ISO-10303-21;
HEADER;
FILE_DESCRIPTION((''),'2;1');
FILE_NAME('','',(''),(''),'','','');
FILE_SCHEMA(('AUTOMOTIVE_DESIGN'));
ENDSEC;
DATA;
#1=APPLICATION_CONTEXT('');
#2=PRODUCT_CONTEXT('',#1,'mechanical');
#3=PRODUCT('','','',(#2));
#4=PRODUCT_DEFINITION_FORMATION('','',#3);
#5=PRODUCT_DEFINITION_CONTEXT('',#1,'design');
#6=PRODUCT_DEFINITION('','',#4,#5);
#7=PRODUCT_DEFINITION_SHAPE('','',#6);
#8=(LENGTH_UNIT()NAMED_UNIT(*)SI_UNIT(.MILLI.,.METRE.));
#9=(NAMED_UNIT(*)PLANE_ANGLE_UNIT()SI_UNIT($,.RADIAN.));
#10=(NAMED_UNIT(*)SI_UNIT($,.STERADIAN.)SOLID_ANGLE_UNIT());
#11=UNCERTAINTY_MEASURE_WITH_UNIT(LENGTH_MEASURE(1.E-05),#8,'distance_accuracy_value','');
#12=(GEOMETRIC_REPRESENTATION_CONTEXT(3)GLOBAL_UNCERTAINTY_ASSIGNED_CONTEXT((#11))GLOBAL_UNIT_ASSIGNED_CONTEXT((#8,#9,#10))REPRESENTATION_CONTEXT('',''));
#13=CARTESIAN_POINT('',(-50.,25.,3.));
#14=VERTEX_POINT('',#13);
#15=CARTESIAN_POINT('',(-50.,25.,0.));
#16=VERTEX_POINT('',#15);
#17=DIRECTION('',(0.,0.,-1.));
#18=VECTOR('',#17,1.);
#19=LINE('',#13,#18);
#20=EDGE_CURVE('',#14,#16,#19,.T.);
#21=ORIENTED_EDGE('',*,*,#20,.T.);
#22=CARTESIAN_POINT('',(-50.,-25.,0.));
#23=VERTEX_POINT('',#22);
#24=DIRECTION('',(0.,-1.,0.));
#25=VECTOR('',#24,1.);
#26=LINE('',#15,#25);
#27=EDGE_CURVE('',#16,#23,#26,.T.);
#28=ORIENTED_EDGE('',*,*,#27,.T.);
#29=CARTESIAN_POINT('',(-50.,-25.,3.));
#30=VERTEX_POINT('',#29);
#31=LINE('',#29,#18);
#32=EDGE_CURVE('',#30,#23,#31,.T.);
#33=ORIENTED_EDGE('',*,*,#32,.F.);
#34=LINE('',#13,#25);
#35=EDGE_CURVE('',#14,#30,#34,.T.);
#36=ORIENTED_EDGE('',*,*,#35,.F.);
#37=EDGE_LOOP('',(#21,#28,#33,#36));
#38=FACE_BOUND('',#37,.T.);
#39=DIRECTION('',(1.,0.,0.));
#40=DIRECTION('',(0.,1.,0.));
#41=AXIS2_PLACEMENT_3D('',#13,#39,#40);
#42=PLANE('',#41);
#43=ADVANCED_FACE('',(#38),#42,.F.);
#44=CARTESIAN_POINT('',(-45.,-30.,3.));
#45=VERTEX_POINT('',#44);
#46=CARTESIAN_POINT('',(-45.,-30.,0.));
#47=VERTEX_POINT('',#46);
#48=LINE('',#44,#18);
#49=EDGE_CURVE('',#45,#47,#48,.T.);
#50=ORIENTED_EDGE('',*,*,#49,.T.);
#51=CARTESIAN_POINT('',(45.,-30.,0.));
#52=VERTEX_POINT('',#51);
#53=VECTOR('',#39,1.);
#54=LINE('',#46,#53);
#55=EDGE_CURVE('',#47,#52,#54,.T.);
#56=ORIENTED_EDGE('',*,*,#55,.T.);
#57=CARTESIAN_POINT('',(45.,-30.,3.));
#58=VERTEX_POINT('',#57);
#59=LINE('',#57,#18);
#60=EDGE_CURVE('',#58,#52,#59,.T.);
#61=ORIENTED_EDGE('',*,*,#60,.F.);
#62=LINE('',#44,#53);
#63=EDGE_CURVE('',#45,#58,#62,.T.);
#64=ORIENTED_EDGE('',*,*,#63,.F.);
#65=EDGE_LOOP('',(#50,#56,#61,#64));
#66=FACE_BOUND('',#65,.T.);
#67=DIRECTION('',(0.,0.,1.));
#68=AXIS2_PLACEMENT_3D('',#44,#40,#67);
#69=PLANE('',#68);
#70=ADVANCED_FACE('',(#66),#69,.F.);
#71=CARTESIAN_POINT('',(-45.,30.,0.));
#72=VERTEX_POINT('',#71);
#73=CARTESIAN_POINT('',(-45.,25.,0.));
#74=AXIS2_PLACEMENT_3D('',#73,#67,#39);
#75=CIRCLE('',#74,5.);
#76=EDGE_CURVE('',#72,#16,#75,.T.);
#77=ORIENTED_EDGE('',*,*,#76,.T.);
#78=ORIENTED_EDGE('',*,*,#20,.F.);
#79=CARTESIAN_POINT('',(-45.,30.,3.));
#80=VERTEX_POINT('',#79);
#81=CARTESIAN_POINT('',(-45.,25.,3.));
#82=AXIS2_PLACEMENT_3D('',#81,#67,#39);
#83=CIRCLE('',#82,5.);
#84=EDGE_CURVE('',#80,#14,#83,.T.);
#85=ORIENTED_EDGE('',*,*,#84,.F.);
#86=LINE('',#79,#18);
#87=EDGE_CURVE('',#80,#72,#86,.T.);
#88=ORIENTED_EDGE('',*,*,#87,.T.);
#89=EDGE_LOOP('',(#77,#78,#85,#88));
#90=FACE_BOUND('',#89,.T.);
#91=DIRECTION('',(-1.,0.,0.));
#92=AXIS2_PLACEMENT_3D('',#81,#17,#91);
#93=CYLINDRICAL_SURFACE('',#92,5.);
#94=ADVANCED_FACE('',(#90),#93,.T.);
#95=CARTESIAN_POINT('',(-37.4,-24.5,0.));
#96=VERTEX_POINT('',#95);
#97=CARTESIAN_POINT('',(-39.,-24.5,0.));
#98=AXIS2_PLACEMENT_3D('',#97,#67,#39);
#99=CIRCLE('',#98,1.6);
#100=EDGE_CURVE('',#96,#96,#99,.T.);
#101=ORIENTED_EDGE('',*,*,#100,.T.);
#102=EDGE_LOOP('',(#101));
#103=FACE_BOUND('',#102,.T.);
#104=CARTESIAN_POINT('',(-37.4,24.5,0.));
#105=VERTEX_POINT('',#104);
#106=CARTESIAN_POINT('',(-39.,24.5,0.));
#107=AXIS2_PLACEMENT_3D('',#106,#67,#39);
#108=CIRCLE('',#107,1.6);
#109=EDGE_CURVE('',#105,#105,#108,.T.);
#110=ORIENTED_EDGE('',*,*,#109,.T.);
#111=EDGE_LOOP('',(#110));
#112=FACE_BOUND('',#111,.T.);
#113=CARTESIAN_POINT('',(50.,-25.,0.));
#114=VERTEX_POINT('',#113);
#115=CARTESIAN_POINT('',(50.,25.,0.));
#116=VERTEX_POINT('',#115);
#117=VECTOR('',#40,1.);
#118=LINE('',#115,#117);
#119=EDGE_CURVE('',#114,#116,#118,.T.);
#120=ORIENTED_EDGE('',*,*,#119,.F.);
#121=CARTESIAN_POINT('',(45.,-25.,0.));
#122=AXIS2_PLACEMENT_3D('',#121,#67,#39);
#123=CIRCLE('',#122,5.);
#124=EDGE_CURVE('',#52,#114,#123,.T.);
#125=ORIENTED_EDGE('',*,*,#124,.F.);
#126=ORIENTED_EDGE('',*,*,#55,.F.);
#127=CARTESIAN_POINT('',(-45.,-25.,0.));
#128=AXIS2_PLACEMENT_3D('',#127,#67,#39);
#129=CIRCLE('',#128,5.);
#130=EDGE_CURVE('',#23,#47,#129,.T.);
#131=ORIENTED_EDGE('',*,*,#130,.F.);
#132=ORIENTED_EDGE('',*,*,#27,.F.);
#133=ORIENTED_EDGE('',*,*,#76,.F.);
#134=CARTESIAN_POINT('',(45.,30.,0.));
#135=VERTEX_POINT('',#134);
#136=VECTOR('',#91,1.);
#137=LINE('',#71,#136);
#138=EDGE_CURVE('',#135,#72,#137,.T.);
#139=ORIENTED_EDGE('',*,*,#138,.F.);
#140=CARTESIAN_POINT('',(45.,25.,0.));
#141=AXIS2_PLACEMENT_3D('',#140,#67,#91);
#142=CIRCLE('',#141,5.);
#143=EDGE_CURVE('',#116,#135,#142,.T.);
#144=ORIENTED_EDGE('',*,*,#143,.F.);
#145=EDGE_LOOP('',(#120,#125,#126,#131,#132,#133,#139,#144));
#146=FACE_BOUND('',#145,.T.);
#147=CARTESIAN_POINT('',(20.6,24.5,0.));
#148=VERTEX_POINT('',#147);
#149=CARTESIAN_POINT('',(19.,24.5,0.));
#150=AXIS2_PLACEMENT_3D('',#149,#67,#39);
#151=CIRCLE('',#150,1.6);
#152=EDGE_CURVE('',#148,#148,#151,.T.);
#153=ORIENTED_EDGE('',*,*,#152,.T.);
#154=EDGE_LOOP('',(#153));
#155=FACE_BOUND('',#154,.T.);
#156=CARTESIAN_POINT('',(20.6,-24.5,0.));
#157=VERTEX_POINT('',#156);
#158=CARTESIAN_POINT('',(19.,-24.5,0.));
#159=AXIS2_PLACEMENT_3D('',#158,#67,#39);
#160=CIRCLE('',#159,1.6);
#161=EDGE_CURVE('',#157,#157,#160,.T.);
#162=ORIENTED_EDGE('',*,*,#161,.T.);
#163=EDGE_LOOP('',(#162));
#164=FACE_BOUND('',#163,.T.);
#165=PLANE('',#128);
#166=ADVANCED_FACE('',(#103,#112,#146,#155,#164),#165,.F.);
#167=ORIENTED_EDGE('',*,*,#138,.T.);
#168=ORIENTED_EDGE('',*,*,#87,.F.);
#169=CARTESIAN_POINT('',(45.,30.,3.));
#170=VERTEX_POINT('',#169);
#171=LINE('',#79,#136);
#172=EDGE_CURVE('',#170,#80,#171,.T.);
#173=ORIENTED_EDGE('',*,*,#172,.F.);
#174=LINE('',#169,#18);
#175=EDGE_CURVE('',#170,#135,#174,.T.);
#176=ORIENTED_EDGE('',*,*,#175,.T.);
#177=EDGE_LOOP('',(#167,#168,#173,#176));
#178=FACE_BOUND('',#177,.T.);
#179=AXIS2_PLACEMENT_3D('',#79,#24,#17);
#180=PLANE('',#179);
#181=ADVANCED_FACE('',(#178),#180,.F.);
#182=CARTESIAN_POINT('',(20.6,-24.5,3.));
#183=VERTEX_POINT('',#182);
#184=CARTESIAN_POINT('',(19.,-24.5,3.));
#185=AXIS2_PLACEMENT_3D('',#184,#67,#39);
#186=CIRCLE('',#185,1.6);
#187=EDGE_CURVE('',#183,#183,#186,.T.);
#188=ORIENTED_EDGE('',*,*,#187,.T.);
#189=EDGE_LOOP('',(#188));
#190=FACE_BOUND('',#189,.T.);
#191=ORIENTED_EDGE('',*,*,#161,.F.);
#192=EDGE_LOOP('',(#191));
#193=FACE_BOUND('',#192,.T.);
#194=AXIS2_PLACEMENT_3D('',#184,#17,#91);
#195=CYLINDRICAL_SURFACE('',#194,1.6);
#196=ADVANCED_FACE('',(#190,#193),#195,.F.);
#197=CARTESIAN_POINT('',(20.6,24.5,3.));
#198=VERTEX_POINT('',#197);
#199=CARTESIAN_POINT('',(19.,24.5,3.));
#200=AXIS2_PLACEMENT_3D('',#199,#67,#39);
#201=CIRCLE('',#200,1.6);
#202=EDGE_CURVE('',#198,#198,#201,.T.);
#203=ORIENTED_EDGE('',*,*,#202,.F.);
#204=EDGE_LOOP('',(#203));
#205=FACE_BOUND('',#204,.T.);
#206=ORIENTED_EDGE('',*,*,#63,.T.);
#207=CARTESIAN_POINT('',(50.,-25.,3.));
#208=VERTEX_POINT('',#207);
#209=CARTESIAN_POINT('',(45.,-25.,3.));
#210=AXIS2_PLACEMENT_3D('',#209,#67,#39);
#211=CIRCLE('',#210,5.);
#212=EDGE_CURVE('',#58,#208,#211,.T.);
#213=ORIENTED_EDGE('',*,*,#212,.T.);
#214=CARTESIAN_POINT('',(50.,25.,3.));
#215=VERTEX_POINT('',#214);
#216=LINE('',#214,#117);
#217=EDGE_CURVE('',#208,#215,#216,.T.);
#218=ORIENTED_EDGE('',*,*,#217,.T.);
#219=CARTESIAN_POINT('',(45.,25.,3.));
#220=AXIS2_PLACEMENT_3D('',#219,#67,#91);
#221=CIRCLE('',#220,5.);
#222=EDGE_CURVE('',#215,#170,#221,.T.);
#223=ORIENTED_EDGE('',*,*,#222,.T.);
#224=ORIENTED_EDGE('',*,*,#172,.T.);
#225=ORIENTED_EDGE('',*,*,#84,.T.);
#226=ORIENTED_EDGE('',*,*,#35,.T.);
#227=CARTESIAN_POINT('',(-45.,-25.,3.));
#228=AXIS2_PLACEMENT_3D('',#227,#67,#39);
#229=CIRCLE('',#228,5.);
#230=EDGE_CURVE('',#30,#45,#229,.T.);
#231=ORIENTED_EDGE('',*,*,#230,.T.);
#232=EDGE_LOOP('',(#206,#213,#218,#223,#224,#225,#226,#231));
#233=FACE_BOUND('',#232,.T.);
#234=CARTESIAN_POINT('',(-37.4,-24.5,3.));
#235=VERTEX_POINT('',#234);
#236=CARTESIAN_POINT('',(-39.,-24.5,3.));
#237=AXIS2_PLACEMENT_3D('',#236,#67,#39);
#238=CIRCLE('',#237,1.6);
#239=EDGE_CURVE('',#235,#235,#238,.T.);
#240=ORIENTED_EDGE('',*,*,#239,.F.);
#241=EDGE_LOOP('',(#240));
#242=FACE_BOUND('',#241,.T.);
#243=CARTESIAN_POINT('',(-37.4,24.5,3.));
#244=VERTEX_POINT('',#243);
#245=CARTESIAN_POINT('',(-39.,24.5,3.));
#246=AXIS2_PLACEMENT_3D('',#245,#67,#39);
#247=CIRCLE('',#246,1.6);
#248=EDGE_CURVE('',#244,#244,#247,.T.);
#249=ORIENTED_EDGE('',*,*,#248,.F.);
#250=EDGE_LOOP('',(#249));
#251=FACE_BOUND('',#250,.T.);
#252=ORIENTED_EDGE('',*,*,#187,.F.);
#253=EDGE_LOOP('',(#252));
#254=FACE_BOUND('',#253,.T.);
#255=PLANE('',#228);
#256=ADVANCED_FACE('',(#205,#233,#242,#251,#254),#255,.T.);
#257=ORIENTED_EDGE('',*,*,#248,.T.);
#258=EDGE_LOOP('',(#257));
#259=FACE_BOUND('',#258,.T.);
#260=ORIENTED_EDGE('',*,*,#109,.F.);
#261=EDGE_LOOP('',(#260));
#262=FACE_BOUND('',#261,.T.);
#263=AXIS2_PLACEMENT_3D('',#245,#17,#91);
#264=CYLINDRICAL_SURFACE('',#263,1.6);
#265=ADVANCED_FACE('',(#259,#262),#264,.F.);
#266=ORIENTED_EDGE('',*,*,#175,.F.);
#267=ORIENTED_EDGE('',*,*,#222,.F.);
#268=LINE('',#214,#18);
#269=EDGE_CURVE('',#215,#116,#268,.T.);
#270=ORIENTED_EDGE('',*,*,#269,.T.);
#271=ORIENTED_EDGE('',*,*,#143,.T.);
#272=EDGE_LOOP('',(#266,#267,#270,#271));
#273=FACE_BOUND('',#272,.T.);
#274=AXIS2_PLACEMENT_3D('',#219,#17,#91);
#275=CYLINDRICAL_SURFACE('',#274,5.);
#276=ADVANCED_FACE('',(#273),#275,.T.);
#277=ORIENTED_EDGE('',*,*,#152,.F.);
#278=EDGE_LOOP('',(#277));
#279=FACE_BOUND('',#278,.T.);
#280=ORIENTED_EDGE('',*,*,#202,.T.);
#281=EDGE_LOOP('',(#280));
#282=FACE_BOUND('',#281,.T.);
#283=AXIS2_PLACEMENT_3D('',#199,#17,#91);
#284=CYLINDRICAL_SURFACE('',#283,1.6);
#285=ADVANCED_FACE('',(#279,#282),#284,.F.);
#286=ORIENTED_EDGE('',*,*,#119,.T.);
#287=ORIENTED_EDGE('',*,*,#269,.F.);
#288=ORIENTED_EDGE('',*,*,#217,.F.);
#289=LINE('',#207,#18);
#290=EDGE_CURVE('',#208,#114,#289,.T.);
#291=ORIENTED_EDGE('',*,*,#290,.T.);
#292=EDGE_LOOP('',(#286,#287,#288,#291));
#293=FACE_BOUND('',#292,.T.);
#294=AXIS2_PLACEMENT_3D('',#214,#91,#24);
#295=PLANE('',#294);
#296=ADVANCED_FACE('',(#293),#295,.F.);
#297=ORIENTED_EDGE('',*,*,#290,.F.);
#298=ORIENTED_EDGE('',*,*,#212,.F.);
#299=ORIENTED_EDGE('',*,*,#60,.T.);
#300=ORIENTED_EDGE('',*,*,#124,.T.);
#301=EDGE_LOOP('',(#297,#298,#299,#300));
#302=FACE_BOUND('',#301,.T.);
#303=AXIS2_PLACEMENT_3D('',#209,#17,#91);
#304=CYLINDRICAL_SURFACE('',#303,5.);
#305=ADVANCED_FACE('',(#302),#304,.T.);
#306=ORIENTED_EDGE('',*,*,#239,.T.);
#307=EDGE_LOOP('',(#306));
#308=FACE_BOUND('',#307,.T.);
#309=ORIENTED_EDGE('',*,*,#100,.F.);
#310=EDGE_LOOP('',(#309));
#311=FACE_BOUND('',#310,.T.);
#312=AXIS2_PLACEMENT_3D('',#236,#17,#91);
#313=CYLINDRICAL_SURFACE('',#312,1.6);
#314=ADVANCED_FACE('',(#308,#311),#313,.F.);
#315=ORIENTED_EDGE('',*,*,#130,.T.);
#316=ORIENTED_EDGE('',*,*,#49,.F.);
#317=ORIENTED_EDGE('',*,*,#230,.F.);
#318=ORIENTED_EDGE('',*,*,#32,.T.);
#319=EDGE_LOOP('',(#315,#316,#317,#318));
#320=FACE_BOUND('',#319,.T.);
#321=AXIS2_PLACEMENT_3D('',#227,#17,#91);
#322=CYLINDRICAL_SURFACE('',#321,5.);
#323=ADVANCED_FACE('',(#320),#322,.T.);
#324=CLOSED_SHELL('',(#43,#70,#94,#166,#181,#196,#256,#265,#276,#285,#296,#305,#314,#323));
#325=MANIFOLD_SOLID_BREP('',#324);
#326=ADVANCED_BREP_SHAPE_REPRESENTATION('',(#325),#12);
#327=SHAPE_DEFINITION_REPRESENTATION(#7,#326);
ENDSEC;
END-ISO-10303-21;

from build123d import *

# Parameters (mm, degrees)
SKETCH_1_R      = 1.6
EXTRUDE_1_DEPTH = 3


with BuildPart() as part:
    # 草图1 → 凸台-拉伸1 (new body)
    with BuildSketch(Plane.XY):
        with BuildLine():
            Line((-45, 30), (45, 30))
            ThreePointArc((45, 30), (48.535533906, 28.535533906), (50, 25))
            Line((50, 25), (50, -25))
            ThreePointArc((50, -25), (48.535533906, -28.535533906), (45, -30))
            Line((45, -30), (-45, -30))
            ThreePointArc((-45, -30), (-48.535533906, -28.535533906), (-50, -25))
            Line((-50, -25), (-50, 25))
            ThreePointArc((-50, 25), (-48.535533906, 28.535533906), (-45, 30))
        make_face()
        with Locations((-39, 24.5)):
            Circle(SKETCH_1_R, mode=Mode.SUBTRACT)
        with Locations((19, 24.5)):
            Circle(SKETCH_1_R, mode=Mode.SUBTRACT)
        with Locations((19, -24.5)):
            Circle(SKETCH_1_R, mode=Mode.SUBTRACT)
        with Locations((-39, -24.5)):
            Circle(SKETCH_1_R, mode=Mode.SUBTRACT)
    extrude(amount=EXTRUDE_1_DEPTH)


solid = part.part
